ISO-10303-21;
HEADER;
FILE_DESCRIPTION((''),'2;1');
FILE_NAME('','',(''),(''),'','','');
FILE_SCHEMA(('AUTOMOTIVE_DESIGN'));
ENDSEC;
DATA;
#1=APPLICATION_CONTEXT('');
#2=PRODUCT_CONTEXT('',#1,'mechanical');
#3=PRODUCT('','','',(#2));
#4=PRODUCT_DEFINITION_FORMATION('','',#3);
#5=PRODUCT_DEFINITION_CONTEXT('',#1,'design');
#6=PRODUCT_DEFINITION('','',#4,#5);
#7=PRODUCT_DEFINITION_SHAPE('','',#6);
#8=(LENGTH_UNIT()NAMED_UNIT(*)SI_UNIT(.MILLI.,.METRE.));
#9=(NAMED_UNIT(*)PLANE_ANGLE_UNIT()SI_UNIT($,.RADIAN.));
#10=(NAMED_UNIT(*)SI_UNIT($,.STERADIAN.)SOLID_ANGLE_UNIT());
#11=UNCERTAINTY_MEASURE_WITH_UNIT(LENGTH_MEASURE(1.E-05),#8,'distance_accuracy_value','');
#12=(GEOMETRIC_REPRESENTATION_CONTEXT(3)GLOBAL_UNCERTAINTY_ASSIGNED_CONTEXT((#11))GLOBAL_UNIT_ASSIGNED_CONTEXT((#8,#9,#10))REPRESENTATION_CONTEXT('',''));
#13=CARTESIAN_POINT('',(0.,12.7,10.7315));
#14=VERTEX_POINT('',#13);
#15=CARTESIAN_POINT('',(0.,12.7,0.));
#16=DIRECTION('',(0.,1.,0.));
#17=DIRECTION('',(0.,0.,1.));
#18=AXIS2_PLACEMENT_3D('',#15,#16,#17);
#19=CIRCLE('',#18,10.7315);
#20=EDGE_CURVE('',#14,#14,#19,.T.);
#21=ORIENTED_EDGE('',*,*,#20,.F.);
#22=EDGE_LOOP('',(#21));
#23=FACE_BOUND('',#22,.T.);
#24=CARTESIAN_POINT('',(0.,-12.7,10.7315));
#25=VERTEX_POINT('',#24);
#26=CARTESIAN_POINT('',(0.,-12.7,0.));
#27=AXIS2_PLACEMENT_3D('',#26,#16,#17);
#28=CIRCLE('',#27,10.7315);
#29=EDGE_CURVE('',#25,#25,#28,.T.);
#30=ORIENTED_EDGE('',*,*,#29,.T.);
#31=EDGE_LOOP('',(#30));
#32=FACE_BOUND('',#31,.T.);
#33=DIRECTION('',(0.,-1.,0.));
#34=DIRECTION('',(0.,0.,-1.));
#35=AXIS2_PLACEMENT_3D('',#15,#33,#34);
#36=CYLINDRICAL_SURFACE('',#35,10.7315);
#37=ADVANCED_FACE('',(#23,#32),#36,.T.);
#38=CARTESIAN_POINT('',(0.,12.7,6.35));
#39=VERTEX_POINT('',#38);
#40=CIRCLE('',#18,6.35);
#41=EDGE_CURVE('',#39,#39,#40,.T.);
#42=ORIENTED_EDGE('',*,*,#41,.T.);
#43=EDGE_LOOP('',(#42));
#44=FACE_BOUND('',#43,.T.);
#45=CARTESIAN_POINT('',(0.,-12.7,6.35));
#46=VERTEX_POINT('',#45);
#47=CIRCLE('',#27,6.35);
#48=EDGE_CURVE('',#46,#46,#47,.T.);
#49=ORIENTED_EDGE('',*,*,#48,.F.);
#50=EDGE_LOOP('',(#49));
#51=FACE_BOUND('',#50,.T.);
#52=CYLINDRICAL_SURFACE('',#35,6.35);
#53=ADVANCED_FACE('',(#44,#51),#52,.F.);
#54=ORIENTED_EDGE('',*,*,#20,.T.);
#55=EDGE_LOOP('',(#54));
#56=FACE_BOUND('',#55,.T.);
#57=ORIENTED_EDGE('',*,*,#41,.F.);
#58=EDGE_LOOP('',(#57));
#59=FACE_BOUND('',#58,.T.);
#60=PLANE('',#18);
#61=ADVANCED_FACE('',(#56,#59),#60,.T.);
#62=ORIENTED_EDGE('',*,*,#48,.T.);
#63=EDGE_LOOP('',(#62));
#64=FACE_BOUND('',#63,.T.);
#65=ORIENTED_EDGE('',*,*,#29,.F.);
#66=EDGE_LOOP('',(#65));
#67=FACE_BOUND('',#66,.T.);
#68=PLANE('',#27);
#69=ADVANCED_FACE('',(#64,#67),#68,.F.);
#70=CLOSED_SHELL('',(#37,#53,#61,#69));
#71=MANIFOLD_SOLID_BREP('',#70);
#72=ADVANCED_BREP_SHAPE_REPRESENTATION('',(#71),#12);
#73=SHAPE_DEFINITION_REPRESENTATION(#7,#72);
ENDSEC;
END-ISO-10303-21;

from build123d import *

# Parameters (mm, degrees)
SKETCH1_R           = 10.7315
SKETCH1_R_2         = 6.35
BOSS_EXTRUDE1_DEPTH = 12.7


with BuildPart() as part:
    # Sketch1 → Boss-Extrude1 (new body, symmetric)
    with BuildSketch(Plane(origin=(0, 0, 0), x_dir=(1, 0, 0), z_dir=(0, 1, 0))):
        Circle(SKETCH1_R)
        Circle(SKETCH1_R_2, mode=Mode.SUBTRACT)
    extrude(amount=BOSS_EXTRUDE1_DEPTH, both=True)


solid = part.part
